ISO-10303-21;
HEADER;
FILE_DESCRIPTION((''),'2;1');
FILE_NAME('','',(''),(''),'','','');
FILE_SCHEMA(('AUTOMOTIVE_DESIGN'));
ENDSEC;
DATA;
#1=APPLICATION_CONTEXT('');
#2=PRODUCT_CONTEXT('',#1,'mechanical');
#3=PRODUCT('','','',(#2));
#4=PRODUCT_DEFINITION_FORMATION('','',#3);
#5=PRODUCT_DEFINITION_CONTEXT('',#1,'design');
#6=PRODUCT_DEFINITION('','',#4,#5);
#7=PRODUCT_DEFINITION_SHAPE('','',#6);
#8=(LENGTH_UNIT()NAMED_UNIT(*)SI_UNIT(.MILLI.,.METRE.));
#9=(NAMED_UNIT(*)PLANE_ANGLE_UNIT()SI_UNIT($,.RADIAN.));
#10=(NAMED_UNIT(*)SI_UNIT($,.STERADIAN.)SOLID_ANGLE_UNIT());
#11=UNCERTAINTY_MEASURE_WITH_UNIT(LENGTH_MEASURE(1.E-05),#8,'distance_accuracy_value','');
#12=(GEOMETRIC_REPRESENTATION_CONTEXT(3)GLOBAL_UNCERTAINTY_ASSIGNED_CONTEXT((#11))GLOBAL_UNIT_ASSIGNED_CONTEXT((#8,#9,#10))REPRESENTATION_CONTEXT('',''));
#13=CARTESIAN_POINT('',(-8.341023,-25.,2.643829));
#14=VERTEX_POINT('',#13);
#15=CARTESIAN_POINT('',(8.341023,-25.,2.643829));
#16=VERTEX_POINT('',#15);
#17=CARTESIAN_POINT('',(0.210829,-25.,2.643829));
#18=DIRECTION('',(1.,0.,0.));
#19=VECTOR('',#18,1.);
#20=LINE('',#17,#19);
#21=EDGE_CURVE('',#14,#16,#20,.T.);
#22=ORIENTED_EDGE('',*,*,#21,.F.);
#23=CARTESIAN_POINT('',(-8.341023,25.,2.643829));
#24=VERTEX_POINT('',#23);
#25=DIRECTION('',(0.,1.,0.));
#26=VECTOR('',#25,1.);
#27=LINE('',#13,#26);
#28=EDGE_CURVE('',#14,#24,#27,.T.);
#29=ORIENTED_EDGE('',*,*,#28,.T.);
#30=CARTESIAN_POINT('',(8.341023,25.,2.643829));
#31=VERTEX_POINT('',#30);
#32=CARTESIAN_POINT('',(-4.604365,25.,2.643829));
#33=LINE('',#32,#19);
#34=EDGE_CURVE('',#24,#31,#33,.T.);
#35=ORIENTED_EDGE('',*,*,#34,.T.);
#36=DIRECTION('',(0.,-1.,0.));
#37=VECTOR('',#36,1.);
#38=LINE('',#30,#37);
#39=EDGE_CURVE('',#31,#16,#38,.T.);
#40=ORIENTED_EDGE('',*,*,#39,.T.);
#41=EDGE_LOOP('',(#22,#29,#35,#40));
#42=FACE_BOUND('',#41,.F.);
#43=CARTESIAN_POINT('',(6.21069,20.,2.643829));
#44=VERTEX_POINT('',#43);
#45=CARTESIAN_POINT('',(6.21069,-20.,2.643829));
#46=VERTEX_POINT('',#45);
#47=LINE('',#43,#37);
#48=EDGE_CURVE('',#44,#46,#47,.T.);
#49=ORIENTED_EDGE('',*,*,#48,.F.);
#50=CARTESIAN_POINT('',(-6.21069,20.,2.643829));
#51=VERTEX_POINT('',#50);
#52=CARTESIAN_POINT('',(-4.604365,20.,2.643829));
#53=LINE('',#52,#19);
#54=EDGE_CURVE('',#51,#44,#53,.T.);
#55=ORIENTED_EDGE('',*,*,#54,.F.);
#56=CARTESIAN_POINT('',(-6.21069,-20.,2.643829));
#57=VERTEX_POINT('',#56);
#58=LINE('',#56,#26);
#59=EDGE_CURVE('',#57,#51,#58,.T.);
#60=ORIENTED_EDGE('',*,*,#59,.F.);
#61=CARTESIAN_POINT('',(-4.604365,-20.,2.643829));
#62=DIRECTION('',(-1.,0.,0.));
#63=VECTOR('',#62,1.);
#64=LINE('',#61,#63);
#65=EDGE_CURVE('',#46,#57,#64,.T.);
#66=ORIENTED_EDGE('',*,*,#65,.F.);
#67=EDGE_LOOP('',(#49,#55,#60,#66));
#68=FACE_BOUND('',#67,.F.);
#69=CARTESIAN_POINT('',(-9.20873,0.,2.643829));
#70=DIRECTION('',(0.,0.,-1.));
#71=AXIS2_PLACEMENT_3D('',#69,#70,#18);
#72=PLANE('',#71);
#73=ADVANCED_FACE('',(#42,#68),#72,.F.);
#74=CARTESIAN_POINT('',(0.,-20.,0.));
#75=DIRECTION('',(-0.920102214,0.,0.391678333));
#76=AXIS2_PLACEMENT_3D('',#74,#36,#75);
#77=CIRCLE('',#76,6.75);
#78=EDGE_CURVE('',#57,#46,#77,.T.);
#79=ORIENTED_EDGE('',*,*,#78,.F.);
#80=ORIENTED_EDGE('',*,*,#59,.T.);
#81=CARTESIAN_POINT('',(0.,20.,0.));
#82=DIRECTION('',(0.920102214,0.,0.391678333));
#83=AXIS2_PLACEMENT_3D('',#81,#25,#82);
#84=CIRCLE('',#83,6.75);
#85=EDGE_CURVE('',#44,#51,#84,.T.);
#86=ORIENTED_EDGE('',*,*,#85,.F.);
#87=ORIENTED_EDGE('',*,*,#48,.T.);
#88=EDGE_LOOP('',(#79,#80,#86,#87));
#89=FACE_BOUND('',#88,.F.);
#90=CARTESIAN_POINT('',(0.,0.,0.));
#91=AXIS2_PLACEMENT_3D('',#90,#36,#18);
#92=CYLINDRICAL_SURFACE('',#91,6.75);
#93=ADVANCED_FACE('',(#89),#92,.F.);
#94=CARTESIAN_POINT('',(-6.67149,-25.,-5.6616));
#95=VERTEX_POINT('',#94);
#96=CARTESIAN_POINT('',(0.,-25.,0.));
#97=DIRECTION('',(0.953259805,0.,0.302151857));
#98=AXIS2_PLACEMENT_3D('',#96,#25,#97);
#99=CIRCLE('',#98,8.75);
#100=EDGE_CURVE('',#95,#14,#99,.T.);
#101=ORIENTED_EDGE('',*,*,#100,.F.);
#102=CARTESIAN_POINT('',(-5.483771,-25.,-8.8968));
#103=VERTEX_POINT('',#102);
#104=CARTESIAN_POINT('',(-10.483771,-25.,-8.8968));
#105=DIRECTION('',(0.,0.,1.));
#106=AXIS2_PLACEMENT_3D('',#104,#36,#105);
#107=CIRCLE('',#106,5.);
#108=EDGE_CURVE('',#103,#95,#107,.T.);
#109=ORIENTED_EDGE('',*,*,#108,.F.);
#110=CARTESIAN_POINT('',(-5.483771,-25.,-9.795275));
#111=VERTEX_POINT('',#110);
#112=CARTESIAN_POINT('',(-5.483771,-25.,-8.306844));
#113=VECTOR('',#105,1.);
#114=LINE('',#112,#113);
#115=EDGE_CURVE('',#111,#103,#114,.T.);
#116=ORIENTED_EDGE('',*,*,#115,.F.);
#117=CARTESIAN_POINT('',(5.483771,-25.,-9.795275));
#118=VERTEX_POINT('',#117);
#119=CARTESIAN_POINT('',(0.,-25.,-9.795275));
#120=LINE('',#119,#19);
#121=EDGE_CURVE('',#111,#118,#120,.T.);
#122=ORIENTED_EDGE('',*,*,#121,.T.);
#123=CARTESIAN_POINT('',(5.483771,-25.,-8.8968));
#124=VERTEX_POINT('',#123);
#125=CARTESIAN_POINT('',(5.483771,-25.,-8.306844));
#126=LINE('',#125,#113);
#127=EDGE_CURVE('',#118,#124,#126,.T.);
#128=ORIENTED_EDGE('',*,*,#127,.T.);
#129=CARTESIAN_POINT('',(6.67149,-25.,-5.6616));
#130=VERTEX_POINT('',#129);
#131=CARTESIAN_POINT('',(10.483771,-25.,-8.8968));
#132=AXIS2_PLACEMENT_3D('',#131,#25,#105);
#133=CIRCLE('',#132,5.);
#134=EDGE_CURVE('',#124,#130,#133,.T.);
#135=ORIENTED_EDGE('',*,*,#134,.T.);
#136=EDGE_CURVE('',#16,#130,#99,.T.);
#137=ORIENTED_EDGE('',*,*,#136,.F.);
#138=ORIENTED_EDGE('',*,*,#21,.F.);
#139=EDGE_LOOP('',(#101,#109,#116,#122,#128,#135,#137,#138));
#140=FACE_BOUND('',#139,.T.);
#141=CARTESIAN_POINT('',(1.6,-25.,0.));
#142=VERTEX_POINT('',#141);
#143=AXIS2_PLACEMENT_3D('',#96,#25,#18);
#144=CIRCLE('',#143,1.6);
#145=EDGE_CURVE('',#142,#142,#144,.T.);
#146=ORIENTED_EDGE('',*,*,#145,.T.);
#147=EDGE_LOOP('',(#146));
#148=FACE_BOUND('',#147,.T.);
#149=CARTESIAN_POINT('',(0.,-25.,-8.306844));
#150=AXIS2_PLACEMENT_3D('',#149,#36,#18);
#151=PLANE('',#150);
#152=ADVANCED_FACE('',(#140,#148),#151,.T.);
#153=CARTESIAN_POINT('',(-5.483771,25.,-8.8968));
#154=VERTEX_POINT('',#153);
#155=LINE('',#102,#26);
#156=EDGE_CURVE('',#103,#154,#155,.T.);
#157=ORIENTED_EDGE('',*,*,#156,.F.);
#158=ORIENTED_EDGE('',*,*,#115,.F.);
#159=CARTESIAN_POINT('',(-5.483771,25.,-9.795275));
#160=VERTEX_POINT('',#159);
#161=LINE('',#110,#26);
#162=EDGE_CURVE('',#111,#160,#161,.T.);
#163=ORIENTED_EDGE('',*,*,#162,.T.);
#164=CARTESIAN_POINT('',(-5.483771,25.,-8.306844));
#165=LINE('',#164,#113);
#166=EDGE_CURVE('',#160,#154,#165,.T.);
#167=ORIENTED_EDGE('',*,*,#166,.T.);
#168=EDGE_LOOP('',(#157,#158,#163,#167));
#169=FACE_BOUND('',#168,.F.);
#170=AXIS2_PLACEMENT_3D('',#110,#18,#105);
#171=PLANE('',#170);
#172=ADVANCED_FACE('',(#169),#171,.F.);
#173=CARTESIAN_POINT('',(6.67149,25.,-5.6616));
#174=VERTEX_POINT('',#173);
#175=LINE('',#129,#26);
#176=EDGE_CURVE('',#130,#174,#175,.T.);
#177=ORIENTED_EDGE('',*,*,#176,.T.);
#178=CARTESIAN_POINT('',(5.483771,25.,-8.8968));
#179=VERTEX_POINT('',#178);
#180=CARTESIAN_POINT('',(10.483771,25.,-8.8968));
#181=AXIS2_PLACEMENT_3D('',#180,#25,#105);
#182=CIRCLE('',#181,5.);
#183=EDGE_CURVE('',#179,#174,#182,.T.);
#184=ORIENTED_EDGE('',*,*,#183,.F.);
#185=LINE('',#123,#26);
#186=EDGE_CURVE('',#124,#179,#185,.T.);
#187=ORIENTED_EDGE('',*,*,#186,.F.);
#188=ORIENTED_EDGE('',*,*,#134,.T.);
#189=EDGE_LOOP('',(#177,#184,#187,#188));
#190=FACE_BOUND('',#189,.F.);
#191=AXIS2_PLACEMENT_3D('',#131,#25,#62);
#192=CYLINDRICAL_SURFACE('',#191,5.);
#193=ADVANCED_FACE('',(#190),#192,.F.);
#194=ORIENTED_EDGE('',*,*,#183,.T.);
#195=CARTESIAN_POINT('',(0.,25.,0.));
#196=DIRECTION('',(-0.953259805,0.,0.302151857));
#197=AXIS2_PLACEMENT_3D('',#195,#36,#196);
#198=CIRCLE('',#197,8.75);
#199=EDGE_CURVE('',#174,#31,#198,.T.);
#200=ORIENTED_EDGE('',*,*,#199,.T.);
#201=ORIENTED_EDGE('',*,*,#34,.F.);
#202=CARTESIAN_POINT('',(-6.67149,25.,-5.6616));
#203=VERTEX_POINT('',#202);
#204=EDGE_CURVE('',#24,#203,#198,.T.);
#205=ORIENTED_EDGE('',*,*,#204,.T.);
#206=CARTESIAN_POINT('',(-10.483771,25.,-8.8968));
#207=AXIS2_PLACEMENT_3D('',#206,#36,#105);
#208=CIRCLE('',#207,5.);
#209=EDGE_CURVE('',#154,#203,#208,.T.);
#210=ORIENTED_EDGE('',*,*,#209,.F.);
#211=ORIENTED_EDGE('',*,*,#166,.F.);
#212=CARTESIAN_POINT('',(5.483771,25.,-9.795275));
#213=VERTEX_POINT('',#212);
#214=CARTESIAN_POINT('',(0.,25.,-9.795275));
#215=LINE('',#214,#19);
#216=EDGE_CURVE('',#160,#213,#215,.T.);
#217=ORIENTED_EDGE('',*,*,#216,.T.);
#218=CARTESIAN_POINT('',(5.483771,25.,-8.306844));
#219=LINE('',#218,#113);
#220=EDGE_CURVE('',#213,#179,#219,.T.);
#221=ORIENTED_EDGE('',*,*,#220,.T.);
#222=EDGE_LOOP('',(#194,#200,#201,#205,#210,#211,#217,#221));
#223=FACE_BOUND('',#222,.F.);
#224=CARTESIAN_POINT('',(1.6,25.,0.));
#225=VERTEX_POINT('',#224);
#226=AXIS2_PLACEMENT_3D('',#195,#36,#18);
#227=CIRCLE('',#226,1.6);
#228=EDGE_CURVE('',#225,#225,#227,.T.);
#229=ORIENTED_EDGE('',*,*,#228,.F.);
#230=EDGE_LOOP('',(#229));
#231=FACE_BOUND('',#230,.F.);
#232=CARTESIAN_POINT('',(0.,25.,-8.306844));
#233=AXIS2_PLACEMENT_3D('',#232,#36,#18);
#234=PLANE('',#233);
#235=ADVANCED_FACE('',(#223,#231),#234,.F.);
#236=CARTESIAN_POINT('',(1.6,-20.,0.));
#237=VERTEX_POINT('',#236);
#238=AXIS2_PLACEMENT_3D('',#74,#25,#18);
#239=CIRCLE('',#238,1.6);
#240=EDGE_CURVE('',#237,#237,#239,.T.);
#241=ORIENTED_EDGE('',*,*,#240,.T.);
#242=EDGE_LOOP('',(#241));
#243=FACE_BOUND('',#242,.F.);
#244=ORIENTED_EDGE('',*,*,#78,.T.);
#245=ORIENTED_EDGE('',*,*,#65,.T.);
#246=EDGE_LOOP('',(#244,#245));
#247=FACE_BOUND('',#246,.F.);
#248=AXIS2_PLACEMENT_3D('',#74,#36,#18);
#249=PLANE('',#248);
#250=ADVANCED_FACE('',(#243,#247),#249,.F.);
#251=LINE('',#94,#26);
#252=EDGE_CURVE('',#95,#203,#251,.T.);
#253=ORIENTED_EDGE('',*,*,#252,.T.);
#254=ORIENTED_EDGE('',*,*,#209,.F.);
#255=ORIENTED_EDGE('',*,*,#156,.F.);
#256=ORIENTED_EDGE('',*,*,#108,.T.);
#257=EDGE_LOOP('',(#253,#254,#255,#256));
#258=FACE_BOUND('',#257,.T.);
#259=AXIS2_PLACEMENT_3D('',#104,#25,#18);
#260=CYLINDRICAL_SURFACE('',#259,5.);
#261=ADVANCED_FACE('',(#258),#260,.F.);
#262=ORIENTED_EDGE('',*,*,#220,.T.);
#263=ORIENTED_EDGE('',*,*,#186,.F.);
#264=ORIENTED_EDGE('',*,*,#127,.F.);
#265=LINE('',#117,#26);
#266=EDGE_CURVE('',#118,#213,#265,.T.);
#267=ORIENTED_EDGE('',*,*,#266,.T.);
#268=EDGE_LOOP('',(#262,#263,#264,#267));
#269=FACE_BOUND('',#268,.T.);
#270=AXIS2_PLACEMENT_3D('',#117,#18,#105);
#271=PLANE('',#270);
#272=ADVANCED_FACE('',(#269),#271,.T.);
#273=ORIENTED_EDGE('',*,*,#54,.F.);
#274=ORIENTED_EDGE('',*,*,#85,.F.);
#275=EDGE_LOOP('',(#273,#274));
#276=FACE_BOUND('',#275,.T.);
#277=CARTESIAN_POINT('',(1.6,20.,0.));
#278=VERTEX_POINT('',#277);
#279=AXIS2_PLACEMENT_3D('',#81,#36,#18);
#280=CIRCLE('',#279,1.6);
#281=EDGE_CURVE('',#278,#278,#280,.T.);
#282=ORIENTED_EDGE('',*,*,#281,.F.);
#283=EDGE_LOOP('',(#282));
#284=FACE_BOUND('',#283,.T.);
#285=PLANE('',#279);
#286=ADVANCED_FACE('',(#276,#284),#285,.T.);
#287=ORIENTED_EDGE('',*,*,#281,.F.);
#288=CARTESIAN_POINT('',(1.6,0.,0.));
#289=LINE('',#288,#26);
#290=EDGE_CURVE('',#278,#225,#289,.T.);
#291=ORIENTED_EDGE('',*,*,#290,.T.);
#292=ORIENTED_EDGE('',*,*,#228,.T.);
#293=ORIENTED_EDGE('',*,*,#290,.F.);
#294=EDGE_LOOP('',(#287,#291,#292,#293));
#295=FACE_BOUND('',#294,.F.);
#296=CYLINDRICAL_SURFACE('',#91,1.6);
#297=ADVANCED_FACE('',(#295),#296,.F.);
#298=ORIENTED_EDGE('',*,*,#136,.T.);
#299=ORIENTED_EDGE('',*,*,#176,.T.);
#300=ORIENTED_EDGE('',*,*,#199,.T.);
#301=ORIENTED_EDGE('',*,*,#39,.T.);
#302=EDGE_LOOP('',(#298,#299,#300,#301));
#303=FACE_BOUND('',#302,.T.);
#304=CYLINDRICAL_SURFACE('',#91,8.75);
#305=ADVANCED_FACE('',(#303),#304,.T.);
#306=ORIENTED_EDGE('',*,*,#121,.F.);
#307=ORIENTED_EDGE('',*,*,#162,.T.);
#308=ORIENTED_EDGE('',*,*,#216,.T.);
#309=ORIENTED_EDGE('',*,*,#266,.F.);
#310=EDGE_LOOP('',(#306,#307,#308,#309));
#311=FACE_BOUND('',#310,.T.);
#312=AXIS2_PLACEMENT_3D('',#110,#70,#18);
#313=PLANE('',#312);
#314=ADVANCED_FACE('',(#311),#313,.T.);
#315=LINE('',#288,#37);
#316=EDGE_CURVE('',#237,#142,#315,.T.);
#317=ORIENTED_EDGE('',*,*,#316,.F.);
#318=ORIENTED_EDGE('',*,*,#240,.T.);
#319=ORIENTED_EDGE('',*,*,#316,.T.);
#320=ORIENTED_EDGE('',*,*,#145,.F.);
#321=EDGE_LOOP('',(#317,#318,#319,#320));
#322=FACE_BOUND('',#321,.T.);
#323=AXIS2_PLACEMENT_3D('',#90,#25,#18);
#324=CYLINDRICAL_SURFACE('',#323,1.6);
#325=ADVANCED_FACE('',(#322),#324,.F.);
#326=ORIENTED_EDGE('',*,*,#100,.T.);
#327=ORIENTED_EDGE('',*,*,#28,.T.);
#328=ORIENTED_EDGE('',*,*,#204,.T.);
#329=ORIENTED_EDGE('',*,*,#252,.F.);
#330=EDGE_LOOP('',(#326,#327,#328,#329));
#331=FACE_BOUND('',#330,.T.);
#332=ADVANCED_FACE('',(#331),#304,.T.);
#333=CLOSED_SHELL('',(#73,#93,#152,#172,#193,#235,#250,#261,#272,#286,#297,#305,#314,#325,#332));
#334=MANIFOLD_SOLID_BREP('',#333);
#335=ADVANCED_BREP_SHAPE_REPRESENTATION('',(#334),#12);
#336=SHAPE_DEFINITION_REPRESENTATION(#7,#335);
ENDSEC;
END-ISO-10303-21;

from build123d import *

# Parameters (mm, degrees)
F0_R           = 8.75
F1_DEPTH       = 25
F1_DEPTH_BACK  = 25
F2_R           = 6.75
F3_DEPTH       = 20
F3_DEPTH_BACK  = 20
F4_W           = 18.8391190022
F4_H           = 6.4964373596
F5_DEPTH       = 25.001
F5_DEPTH_BACK  = 25
F6_W           = 10.9675412329
F6_H           = 2.9768612129
F7_DEPTH       = 50
F8_R           = 5
F9_R           = 1.6
F10_DEPTH      = 25.001
F10_DEPTH_BACK = 25.001


with BuildPart() as f1:
    # F0 (on Front) → F1 (new body, two sides)
    with BuildSketch(Plane.XZ) as f1_sk:
        Circle(F0_R)
    extrude(amount=F1_DEPTH)
    extrude(f1_sk.sketch, amount=-F1_DEPTH_BACK)

    # F2 (on Front) → F3 (cut, two sides)
    with BuildSketch(Plane.XZ) as f3_sk:
        Circle(F2_R)
    extrude(amount=-F3_DEPTH, mode=Mode.SUBTRACT)
    extrude(f3_sk.sketch, amount=F3_DEPTH_BACK, mode=Mode.SUBTRACT)

    # F4 (on Front) → F5 (cut, two sides)
    with BuildSketch(Plane.XZ) as f5_sk:
        with Locations((0.2108290792, 5.8920474257)):
            Rectangle(F4_W, F4_H)
    extrude(amount=-F5_DEPTH, mode=Mode.SUBTRACT)
    extrude(f5_sk.sketch, amount=F5_DEPTH_BACK, mode=Mode.SUBTRACT)

    # F6 (on face) → F7 (join, through all)
    with BuildSketch(Plane.XZ.offset(25)):
        with Locations((0, -8.3068438988)):
            Rectangle(F6_W, F6_H)
    extrude(amount=-F7_DEPTH)

    # F8
    f8_edges = [f1.edges().sort_by_distance(p)[0] for p in [
        (5.483771, 0, -6.818413),
        (-5.483771, 0, -6.818413),
    ]]
    fillet(f8_edges, radius=F8_R)

    # F9 (on Front) → F10 (cut, two sides)
    with BuildSketch(Plane.XZ) as f10_sk:
        Circle(F9_R)
    extrude(amount=-F10_DEPTH, mode=Mode.SUBTRACT)
    extrude(f10_sk.sketch, amount=F10_DEPTH_BACK, mode=Mode.SUBTRACT)


solid = f1.part
